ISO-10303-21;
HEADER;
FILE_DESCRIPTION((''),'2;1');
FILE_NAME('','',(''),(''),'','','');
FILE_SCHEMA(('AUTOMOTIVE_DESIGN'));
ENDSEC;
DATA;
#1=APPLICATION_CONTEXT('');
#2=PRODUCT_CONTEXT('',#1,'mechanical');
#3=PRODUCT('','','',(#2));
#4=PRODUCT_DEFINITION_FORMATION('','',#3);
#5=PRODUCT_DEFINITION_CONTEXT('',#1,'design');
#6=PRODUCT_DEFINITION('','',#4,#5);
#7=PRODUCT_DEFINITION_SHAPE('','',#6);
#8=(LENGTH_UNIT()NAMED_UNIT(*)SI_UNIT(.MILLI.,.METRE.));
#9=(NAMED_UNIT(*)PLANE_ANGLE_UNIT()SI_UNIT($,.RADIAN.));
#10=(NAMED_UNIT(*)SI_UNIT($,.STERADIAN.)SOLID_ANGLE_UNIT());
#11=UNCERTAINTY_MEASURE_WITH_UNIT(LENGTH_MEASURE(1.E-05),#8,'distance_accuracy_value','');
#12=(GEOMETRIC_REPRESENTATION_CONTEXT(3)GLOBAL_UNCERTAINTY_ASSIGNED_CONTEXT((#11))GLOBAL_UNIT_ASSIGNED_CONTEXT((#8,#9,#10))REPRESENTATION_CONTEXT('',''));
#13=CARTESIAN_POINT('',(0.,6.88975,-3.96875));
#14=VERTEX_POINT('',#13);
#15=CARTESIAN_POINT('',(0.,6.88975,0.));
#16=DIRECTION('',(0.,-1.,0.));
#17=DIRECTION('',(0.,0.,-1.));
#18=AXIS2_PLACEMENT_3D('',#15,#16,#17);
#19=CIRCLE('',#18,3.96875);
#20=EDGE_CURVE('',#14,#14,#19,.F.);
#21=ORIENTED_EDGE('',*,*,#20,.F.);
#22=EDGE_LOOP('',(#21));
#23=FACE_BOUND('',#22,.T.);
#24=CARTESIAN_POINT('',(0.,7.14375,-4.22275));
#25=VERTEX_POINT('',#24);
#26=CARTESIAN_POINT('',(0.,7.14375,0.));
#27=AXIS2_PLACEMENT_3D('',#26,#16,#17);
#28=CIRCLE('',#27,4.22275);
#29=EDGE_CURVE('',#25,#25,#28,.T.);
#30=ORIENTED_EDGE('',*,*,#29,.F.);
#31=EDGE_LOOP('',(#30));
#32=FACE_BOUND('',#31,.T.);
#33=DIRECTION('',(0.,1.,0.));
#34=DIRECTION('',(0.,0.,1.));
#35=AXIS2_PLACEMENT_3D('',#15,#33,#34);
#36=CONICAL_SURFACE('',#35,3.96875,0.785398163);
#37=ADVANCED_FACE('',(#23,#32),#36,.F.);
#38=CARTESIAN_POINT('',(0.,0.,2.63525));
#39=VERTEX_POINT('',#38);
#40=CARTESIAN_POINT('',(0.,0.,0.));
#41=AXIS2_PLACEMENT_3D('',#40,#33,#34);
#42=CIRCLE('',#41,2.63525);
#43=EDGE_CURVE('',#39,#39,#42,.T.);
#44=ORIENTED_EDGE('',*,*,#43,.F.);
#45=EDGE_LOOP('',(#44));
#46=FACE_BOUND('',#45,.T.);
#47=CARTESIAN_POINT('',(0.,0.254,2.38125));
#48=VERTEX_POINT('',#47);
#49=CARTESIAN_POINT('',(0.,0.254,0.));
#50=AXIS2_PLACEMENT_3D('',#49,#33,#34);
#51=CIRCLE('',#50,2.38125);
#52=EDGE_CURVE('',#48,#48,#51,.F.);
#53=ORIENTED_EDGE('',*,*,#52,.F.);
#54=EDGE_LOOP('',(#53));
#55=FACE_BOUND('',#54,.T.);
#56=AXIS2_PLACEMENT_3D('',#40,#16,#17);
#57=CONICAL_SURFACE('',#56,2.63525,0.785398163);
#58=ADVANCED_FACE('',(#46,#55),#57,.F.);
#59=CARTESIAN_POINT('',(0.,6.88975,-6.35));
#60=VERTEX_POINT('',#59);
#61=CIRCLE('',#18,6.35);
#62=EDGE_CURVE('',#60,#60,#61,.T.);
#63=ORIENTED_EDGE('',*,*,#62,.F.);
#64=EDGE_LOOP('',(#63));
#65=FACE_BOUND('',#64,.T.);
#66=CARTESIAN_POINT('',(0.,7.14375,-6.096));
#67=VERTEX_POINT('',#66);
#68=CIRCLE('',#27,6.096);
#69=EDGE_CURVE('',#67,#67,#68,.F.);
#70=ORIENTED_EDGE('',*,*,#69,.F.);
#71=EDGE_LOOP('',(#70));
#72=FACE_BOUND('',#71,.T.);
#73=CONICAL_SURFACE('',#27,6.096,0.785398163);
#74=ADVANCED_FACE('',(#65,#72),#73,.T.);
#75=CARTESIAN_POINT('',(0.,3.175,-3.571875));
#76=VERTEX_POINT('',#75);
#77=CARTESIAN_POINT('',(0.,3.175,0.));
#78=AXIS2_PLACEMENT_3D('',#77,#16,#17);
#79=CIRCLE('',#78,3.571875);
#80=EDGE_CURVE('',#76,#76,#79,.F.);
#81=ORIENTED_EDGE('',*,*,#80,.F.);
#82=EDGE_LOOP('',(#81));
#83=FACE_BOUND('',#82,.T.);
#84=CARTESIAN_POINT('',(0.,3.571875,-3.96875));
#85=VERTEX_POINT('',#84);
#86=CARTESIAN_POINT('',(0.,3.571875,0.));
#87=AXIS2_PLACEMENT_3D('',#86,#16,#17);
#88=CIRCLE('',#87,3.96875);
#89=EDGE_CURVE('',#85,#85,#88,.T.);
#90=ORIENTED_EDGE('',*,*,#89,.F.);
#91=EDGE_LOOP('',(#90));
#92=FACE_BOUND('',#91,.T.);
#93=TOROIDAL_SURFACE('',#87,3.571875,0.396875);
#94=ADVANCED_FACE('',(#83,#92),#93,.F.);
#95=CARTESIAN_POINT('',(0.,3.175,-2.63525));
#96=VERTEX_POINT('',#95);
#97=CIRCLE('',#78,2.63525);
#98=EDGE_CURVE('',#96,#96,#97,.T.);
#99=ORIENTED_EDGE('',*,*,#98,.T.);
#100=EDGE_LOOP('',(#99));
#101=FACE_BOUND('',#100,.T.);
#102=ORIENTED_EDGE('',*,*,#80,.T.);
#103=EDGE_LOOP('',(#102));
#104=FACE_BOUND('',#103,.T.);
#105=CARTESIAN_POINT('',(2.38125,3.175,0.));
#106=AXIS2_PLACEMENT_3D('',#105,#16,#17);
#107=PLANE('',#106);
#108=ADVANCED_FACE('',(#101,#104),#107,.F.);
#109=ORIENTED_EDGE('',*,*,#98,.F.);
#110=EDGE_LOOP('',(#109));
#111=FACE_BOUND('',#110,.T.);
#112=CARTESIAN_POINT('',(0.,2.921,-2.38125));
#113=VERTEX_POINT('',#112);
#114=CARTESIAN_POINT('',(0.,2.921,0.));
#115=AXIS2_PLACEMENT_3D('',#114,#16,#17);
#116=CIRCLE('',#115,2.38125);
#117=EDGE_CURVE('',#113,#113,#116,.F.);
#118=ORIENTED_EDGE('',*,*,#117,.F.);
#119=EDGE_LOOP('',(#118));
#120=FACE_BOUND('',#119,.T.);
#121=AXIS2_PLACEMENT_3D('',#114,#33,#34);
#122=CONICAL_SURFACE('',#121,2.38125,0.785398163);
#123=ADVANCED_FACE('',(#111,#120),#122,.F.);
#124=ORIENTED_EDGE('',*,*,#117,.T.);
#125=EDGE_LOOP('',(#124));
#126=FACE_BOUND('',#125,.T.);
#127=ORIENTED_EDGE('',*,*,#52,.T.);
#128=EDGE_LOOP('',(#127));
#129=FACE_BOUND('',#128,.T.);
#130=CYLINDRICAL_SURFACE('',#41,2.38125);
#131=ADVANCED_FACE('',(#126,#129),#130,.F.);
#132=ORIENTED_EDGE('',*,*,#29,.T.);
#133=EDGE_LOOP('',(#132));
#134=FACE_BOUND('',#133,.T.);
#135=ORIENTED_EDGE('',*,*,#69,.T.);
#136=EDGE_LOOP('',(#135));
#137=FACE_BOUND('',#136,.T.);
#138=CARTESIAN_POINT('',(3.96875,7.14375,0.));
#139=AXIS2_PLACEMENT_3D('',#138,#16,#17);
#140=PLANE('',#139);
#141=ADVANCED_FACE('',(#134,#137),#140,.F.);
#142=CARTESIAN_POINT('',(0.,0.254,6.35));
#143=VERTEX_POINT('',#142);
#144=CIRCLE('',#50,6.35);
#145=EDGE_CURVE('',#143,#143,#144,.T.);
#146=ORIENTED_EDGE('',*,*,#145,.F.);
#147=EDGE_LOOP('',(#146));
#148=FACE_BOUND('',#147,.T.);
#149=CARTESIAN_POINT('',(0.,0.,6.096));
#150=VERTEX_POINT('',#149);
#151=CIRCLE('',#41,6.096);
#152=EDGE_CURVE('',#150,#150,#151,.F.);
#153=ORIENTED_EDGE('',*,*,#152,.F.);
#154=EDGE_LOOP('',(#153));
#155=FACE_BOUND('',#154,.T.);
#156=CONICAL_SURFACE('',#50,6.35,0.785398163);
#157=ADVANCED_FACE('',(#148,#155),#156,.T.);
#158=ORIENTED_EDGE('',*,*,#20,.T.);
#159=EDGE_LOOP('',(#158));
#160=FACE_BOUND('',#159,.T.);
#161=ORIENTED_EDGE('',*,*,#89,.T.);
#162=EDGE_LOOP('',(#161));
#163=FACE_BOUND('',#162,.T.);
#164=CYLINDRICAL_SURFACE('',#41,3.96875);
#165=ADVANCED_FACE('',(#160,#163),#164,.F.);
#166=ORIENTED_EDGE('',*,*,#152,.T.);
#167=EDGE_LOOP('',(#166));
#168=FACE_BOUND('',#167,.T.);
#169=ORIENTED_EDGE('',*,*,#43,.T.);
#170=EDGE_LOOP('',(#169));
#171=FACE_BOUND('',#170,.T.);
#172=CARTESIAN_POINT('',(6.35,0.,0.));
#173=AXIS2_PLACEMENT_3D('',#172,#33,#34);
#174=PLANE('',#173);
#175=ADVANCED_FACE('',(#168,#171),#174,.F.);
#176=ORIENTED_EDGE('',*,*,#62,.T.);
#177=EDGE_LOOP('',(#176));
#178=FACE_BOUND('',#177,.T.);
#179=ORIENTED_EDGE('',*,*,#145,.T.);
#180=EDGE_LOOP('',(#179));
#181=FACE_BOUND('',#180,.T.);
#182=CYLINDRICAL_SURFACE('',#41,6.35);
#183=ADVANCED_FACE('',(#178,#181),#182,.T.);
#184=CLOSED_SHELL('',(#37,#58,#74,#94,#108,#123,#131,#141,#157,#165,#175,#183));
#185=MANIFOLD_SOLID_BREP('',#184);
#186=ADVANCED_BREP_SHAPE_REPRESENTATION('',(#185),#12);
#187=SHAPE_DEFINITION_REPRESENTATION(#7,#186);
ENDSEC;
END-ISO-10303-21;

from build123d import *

# Parameters (mm, degrees)
FILLET1_R     = 0.396875
CHAMFER1_SIZE = 0.254


with BuildPart() as part:
    # Sketch1 → Revolve1 (revolve)
    with BuildSketch(Plane.XY):
        Polygon((2.38125, 0), (2.38125, 3.175), (3.96875, 3.175), (3.96875, 7.14375), (6.35, 7.14375), (6.35, 0), align=None)
    revolve(axis=Axis((0, 0, 0), (0, -1, 0)))

    # Fillet1
    fillet1_edges = [part.edges().sort_by_distance(p)[0] for p in [
        (-3.96875, 3.175, 0),
    ]]
    fillet(fillet1_edges, radius=FILLET1_R)

    # Chamfer1
    chamfer1_edges = [part.edges().sort_by_distance(p)[0] for p in [
        (-6.35, 0, 0),
        (-6.35, 7.14375, 0),
        (-3.96875, 7.14375, 0),
        (-2.38125, 3.175, 0),
        (-2.38125, 0, 0),
    ]]
    chamfer(chamfer1_edges, length=CHAMFER1_SIZE)


solid = part.part
